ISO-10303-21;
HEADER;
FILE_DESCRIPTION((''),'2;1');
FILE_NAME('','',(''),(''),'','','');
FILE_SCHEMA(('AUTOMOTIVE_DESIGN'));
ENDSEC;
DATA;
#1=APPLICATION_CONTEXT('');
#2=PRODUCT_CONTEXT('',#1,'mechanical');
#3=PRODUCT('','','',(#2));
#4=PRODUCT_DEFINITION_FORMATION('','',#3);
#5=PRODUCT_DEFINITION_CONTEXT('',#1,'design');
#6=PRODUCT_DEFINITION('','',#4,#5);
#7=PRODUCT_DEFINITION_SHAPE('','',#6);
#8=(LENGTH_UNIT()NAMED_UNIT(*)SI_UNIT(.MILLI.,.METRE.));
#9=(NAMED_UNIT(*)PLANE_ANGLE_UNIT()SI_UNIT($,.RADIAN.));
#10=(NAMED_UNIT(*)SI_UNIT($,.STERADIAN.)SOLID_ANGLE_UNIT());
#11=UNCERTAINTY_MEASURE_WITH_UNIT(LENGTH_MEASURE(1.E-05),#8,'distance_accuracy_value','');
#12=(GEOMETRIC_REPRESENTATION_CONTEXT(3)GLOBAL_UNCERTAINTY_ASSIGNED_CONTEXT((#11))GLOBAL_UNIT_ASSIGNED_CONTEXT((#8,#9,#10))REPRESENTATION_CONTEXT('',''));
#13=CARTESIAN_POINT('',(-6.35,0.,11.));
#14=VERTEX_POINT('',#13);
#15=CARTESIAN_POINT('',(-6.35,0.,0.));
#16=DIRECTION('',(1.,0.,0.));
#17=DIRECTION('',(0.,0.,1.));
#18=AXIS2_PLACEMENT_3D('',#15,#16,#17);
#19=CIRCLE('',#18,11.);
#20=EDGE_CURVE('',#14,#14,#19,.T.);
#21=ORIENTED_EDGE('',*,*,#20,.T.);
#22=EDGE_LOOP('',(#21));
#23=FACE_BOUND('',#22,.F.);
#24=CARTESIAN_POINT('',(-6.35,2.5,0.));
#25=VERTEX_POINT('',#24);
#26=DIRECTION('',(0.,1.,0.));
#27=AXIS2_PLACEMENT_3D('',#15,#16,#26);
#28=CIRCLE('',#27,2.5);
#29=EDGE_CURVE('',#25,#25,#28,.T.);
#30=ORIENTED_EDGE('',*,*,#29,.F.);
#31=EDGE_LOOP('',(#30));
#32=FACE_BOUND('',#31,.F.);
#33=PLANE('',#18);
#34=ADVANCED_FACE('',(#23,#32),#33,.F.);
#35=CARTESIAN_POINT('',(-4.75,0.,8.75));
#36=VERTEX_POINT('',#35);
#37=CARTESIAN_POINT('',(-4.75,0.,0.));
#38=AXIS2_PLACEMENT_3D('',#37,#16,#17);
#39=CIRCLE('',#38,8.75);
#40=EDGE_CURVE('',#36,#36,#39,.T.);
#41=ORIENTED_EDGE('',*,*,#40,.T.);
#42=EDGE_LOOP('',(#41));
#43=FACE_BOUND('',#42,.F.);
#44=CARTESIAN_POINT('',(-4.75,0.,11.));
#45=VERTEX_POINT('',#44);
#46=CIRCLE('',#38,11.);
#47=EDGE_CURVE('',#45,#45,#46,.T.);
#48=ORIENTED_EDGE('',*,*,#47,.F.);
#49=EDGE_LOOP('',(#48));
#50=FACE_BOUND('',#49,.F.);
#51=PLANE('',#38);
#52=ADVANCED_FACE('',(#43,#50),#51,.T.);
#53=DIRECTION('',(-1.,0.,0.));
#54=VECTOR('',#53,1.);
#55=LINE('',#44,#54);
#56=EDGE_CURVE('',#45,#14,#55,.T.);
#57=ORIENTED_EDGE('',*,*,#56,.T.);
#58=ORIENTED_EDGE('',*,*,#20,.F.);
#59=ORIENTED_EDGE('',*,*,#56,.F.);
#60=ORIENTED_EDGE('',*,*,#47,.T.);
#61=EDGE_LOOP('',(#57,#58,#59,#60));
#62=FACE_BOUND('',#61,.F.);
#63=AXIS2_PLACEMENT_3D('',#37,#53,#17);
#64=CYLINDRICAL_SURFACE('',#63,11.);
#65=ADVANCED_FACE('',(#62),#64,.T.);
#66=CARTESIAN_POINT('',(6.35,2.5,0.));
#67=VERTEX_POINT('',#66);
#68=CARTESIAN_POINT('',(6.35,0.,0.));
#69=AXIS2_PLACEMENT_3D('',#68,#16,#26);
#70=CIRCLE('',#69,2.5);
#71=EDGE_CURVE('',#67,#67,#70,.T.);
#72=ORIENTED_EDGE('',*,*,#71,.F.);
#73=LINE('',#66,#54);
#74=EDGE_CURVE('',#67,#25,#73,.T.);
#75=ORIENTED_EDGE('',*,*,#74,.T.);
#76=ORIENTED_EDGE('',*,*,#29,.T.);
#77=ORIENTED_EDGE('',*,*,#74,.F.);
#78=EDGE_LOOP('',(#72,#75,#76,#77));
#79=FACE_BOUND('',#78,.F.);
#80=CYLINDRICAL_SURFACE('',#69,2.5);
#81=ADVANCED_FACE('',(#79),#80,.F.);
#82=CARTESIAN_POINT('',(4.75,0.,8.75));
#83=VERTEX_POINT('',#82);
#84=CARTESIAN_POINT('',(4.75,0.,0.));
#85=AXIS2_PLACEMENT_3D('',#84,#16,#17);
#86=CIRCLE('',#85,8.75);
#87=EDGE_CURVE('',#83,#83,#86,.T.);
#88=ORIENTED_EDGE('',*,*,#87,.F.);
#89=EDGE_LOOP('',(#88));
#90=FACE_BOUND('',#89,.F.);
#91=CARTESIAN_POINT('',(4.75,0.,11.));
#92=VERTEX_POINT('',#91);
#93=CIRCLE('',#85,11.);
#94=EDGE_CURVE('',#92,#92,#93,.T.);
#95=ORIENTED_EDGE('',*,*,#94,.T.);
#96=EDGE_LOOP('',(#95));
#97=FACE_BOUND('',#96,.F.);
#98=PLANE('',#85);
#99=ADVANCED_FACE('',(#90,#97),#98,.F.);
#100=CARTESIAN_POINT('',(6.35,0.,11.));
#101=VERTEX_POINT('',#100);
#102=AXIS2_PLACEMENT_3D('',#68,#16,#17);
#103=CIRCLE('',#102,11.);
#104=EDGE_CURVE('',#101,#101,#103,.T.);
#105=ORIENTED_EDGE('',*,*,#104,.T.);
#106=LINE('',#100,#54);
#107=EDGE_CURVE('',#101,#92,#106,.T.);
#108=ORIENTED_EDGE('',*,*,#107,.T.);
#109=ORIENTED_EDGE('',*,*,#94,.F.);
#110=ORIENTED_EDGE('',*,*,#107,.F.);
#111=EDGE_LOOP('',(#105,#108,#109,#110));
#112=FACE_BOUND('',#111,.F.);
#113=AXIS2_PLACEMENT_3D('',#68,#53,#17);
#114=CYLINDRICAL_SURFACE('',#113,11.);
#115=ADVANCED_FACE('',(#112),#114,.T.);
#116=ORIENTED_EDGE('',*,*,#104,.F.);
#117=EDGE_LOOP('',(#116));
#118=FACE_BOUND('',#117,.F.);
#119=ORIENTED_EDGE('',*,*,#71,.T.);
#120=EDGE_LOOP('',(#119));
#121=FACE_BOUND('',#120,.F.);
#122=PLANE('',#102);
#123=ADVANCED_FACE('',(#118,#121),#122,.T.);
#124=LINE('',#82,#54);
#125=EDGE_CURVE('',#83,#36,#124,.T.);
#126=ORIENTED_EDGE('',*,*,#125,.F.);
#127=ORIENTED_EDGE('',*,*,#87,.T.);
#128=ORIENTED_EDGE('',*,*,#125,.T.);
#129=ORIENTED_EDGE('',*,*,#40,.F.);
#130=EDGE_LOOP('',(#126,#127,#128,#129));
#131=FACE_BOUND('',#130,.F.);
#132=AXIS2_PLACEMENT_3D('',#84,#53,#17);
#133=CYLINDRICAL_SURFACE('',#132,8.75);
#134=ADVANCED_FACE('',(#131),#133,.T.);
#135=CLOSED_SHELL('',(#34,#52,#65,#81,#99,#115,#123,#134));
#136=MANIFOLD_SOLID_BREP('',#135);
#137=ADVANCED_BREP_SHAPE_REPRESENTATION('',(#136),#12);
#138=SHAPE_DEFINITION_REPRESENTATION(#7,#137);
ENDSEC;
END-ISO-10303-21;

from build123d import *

# Parameters (mm, degrees)
F2_R     = 2.5
F3_DEPTH = 12.701


with BuildPart() as f1:
    # F0 (on Front) → F1 (revolve)
    with BuildSketch(Plane.XZ):
        Polygon((-6.35, 11), (-6.35, 0), (6.35, 0), (6.35, 11), (4.75, 11), (4.75, 8.75), (-4.75, 8.75), (-4.75, 11), align=None)
    revolve(axis=Axis((-12.864703, 0, 0), (1, 0, 0)))

    # F2 (on face) → F3 (cut, through all)
    with BuildSketch(Plane.YZ.offset(6.35)):
        Circle(F2_R)
    extrude(amount=-F3_DEPTH, mode=Mode.SUBTRACT)


solid = f1.part
